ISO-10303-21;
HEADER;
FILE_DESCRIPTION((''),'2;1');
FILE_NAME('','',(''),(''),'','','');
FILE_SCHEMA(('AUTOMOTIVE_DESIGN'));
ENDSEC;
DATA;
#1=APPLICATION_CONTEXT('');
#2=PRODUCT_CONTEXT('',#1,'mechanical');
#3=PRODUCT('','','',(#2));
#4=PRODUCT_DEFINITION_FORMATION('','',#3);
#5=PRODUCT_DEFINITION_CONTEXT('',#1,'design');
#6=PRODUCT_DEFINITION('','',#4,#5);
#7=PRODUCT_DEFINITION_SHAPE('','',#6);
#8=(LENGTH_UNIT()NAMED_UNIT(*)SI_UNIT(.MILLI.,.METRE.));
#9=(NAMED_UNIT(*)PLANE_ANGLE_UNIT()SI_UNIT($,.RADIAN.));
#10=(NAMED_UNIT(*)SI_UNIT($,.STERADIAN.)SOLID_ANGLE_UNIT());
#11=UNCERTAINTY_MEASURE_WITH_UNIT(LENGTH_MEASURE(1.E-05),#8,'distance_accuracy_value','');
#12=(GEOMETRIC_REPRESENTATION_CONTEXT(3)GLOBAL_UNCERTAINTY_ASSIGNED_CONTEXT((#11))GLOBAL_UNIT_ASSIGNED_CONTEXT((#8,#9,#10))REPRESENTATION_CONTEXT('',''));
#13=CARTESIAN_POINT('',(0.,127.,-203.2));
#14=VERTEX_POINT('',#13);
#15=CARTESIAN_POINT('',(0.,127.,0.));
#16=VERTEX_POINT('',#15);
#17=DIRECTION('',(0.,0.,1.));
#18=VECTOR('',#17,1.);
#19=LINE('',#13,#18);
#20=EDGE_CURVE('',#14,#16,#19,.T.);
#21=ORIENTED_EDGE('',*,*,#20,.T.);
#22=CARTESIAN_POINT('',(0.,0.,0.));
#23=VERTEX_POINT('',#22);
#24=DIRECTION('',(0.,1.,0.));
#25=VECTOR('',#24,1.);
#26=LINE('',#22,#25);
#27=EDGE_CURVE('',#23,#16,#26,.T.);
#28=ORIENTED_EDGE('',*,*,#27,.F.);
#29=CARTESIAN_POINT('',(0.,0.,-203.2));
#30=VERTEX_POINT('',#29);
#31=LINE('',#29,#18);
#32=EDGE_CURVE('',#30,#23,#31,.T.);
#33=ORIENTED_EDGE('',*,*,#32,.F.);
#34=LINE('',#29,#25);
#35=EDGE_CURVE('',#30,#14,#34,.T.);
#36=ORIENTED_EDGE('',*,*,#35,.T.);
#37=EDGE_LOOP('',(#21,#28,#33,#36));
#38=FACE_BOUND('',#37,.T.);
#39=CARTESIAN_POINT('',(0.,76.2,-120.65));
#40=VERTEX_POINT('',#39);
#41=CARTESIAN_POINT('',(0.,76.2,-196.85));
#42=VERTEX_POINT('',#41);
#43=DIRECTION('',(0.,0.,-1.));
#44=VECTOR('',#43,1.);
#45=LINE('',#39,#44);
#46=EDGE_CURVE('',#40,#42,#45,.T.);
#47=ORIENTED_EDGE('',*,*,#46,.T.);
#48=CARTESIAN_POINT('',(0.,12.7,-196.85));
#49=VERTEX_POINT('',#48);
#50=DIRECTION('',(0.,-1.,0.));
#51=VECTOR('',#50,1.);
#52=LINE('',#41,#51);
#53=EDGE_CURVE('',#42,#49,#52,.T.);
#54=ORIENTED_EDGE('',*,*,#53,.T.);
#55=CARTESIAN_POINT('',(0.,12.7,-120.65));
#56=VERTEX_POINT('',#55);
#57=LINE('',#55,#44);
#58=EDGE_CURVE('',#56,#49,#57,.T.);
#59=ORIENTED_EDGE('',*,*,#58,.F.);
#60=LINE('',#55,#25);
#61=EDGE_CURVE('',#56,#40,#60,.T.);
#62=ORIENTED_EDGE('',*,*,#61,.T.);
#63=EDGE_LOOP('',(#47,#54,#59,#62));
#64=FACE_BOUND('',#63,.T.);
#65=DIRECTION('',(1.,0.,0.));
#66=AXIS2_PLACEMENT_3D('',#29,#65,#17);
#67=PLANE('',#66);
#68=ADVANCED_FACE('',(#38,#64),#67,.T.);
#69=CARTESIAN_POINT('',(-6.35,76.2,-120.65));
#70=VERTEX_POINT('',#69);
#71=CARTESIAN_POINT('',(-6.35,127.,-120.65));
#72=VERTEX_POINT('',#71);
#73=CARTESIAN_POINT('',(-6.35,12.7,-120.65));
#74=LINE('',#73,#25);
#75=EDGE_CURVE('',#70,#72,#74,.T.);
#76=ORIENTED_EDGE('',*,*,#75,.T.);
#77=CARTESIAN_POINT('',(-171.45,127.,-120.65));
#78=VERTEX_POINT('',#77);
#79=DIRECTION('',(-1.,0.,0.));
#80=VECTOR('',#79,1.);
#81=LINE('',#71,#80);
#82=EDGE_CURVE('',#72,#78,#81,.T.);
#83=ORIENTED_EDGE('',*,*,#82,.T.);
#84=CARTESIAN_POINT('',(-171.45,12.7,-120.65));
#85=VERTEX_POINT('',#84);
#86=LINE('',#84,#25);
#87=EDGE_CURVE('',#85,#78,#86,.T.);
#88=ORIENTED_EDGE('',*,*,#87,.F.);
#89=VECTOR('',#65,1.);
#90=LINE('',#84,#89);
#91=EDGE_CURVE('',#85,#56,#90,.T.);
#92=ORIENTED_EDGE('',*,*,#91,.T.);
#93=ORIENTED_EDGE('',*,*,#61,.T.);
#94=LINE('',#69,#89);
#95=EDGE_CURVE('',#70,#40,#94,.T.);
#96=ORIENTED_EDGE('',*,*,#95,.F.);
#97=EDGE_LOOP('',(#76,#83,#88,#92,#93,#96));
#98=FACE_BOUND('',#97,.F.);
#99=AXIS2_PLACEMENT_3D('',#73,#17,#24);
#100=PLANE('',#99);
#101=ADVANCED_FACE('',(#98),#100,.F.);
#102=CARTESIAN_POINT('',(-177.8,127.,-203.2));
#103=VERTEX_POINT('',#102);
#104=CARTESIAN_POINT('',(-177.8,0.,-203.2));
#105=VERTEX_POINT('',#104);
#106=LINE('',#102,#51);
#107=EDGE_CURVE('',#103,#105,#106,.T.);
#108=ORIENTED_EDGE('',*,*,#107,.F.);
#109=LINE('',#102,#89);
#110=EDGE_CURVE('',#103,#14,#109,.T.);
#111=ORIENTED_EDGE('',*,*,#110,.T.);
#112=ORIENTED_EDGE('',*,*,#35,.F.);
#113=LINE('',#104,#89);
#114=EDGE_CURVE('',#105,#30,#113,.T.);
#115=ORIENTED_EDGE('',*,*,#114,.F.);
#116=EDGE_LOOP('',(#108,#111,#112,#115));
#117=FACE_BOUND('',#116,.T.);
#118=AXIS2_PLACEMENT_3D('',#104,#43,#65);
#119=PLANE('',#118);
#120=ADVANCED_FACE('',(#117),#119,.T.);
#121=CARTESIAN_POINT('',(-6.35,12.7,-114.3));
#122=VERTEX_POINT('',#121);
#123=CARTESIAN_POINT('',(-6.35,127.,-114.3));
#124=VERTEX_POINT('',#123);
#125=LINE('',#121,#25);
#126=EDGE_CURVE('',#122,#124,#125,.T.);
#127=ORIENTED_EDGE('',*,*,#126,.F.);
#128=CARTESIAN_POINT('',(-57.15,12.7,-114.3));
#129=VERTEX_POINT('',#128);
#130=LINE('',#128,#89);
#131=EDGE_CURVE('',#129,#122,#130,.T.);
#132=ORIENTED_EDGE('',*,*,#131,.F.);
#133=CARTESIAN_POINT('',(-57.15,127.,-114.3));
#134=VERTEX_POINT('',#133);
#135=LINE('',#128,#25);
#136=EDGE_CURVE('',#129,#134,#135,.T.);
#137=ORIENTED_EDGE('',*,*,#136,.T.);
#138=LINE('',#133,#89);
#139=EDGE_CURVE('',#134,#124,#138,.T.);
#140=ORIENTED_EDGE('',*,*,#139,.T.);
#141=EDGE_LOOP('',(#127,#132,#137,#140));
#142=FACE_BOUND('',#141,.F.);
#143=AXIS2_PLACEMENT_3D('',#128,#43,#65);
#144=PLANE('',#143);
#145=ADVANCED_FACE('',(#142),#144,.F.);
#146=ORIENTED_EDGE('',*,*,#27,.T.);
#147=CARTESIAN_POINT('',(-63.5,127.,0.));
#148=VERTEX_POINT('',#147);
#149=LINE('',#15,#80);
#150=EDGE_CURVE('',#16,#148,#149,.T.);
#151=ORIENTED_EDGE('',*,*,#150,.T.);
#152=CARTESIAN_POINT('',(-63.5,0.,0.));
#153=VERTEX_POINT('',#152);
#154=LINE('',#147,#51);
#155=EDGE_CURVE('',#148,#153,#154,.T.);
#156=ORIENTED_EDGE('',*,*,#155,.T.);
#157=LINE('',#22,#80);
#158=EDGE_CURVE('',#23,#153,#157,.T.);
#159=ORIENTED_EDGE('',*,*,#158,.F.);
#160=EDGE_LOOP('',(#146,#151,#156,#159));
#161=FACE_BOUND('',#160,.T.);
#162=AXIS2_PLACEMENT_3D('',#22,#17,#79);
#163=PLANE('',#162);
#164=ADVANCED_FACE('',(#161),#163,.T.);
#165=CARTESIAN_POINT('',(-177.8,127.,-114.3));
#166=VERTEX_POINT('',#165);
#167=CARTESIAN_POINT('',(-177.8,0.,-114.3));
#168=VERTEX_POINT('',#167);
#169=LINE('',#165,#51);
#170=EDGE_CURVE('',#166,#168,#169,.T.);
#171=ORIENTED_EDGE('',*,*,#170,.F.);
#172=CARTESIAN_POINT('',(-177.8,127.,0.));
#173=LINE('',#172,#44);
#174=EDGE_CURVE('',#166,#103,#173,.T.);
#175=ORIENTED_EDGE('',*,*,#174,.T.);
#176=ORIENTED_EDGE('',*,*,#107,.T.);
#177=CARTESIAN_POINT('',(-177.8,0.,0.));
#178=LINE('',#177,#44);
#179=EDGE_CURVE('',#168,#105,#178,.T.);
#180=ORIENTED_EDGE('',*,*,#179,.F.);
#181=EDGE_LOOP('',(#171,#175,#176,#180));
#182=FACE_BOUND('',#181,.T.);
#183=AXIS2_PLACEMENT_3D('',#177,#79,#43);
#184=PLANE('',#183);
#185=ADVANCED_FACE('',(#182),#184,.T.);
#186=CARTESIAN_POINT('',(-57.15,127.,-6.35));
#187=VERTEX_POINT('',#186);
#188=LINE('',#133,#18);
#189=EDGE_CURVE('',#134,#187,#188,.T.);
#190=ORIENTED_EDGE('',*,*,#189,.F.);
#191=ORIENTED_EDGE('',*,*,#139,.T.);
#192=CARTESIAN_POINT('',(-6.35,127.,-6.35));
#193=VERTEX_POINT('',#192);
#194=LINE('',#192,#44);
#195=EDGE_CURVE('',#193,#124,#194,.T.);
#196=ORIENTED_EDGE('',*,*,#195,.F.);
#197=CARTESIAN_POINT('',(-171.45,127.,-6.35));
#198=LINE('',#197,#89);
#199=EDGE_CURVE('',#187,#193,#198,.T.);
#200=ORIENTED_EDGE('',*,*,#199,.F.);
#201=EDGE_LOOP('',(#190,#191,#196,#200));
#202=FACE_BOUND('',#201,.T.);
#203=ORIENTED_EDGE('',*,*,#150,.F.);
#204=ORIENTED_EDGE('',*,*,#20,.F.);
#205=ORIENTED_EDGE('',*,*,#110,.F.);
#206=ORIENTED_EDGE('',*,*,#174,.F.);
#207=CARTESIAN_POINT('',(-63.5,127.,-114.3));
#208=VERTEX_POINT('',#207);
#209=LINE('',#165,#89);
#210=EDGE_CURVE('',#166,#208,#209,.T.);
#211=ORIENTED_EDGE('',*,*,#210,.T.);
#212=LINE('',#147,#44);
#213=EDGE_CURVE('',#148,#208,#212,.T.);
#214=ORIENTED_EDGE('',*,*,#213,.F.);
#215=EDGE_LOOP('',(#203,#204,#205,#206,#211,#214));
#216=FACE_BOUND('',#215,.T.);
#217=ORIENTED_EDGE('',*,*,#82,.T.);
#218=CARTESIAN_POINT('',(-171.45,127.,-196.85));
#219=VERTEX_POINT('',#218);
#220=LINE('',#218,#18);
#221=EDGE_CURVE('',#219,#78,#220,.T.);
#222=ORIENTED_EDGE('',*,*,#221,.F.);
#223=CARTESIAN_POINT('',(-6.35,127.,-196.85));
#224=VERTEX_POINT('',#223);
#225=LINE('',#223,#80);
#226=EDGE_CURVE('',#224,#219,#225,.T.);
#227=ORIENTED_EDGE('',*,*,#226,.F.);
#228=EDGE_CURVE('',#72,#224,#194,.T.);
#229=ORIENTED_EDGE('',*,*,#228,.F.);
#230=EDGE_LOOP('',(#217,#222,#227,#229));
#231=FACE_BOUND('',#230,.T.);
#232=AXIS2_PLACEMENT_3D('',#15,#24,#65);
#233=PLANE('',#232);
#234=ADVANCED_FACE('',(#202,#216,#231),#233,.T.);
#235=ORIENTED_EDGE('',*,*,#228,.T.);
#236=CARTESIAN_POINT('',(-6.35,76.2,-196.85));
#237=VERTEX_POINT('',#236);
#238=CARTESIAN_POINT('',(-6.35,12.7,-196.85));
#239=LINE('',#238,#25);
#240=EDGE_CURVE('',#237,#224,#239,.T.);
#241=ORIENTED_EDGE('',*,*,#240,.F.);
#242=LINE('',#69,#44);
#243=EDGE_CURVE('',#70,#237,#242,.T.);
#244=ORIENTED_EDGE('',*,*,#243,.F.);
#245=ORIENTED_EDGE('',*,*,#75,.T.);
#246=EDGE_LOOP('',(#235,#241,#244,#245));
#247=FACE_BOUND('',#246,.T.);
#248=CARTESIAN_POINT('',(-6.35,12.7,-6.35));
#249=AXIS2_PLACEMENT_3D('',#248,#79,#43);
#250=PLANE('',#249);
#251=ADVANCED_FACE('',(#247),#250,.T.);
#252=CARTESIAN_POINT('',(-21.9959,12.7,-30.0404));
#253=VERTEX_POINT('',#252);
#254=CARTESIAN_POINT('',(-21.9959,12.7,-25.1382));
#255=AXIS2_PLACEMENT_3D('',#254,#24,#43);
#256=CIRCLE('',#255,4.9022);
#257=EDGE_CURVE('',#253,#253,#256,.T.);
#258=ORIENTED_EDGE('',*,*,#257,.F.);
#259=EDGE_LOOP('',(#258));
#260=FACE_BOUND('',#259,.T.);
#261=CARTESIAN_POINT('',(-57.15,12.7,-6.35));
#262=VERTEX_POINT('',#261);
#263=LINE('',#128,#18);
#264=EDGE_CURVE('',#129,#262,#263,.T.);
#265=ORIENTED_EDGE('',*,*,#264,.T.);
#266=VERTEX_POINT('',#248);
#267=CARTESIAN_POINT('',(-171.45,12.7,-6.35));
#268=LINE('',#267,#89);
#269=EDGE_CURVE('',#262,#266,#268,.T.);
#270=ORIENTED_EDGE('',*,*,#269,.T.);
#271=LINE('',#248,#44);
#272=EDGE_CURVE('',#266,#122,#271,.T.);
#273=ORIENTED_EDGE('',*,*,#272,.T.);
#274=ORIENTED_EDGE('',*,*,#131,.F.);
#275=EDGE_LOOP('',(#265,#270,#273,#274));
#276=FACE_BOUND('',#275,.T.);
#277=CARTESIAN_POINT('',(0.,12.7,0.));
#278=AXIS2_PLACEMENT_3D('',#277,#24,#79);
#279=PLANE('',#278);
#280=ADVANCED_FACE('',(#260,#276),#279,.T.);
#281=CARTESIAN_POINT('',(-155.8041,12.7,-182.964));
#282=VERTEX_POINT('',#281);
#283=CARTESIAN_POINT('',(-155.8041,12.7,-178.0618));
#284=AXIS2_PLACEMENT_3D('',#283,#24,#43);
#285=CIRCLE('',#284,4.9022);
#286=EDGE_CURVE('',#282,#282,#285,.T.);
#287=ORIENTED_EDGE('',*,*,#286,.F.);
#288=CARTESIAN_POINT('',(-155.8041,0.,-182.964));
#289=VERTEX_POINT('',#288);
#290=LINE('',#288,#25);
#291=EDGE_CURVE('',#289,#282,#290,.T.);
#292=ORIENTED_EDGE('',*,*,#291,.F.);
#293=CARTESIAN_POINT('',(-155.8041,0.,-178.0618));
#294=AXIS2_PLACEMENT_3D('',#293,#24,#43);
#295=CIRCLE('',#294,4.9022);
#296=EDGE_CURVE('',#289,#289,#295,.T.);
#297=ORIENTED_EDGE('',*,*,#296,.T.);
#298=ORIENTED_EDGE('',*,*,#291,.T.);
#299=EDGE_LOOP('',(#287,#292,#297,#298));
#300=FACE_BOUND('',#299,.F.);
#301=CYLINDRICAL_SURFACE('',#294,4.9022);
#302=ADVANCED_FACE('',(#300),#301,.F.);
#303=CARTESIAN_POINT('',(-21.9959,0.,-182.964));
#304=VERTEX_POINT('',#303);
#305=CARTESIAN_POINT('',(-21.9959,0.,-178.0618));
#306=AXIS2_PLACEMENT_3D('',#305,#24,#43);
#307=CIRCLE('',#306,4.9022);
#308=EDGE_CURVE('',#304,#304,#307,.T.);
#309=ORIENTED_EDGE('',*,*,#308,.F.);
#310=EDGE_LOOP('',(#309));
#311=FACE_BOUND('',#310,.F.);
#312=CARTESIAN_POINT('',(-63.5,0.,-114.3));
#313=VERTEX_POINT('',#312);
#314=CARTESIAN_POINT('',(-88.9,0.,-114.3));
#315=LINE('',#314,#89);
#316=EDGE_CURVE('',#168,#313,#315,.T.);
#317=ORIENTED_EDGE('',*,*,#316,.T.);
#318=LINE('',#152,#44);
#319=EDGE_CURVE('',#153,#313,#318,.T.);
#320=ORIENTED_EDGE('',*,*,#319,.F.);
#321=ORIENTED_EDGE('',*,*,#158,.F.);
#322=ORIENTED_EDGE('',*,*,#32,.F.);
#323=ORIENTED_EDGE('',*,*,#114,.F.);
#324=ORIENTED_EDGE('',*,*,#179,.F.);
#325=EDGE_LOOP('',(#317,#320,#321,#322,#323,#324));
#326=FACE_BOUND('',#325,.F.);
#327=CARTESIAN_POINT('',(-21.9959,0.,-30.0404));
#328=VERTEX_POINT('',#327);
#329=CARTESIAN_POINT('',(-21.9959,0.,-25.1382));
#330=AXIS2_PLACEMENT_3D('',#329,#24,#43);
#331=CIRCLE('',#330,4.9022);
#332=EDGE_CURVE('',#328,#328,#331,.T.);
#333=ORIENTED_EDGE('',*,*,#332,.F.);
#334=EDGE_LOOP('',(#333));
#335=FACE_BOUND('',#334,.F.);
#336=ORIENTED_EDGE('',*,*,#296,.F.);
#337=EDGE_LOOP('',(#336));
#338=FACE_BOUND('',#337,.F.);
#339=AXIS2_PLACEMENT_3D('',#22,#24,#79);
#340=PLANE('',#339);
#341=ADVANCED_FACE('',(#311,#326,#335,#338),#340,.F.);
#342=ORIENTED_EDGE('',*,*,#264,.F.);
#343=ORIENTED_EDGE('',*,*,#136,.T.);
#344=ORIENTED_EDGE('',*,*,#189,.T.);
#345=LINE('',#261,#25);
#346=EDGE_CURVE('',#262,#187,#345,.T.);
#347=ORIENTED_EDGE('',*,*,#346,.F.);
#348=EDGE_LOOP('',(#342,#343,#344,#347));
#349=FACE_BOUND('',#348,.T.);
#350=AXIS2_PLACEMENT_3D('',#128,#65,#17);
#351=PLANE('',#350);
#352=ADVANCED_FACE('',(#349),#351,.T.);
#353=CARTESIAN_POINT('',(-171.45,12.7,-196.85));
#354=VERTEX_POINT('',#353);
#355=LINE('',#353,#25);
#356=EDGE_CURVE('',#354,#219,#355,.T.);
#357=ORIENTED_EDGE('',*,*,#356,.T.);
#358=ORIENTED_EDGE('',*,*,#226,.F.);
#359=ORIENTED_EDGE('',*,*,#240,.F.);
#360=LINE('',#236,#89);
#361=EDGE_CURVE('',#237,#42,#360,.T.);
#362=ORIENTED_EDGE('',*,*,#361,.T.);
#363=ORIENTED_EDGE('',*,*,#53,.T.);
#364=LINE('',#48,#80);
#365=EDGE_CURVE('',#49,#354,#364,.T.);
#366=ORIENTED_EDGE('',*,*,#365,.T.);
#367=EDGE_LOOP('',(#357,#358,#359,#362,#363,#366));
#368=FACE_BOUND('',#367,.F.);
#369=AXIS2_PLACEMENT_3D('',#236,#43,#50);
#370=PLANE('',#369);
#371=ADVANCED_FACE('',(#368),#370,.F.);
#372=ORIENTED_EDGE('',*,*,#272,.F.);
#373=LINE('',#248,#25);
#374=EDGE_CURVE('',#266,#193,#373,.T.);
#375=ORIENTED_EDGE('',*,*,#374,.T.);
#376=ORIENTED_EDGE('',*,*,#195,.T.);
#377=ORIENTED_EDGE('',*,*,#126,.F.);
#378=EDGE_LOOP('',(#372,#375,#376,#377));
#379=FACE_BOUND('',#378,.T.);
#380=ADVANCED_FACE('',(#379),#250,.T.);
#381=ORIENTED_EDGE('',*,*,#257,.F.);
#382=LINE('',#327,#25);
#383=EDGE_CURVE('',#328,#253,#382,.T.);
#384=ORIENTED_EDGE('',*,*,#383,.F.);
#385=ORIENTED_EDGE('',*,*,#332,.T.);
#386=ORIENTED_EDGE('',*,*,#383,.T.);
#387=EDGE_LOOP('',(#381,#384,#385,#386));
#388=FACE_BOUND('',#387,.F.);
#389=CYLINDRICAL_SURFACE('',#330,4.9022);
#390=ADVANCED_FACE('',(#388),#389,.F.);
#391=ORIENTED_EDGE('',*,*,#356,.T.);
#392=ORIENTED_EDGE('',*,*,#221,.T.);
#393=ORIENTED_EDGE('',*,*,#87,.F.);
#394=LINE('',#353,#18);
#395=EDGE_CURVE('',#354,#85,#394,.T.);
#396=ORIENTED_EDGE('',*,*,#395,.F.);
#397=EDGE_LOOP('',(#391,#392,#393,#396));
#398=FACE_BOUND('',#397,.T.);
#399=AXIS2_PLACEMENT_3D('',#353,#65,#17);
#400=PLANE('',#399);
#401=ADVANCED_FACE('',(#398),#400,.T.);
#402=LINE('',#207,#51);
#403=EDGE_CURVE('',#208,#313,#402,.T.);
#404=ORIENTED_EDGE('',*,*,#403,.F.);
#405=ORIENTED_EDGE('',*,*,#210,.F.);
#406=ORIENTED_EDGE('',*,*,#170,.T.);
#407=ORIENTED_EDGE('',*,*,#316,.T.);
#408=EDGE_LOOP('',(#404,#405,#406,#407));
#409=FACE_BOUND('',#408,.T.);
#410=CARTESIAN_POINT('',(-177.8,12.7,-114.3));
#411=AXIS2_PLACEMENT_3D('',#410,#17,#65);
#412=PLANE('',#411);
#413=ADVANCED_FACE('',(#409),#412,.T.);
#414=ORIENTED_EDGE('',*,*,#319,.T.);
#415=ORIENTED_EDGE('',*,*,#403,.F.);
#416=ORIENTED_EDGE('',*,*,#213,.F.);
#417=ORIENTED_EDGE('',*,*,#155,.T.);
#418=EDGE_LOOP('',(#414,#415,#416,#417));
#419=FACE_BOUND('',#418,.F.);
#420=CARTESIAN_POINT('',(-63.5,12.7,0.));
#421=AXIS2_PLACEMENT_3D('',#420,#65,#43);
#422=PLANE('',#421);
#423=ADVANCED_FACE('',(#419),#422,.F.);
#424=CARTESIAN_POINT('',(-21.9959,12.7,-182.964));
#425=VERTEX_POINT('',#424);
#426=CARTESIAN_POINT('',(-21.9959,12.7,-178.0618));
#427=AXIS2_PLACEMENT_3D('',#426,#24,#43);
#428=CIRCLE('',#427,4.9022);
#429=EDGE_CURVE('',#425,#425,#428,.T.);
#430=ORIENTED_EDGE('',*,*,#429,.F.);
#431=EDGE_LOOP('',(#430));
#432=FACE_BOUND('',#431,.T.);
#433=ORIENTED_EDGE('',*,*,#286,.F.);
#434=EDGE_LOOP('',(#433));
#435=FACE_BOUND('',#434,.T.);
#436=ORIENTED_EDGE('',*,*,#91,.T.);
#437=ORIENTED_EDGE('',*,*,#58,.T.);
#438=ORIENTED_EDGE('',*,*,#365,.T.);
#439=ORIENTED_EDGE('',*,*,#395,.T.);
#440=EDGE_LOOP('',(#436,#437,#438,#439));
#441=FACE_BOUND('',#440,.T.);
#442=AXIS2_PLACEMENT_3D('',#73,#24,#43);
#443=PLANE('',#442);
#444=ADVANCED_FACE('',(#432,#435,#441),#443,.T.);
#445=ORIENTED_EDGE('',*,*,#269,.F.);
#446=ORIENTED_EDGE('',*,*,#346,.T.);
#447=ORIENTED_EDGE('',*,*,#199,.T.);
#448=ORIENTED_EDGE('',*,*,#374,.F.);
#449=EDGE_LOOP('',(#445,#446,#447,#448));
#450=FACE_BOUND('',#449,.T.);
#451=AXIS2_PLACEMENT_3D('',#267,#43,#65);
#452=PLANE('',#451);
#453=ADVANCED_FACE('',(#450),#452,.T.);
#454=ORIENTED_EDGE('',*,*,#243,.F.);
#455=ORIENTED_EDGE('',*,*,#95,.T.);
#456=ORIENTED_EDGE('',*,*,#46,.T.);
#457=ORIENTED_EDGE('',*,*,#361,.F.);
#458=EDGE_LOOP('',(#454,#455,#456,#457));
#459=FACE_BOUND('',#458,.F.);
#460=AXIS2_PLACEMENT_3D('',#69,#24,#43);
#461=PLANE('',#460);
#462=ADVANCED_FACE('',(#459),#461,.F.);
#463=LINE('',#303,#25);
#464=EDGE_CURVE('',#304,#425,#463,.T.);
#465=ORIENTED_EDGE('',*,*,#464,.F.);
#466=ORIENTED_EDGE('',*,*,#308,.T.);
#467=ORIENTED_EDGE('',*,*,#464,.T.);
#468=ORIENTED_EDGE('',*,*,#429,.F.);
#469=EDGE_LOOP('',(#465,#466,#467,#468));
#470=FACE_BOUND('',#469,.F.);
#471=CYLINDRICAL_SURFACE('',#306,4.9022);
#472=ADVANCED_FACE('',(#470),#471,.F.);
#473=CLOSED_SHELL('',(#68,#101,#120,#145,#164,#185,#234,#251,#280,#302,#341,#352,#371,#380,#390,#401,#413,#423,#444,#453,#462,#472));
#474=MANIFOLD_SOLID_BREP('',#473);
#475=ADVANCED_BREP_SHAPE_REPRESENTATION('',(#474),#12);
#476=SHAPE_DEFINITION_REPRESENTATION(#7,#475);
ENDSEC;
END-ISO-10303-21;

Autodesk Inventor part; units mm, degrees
ref_plane "YZ Plane" through (0, 0, 0) normal (1, 0, 0) x (0, 1, 0)
ref_plane "XZ Plane" through (0, 0, 0) normal (0, 1, 0) x (-1, 0, 0)
ref_plane "XY Plane" through (0, 0, 0) normal (0, 0, 1) x (1, 0, 0)
sketch "Sketch2" plane through (0, 0, 0) normal (0, 1, 0) x (-1, 0, 0)
  line L0 (0, 0) -> (177.8, 0)
  line L1 (177.8, 0) -> (177.8, -203.2)
  line L2 (177.8, -203.2) -> (0, -203.2)
  line L3 (0, -203.2) -> (0, 0)
  dimension "d0" = 203.2
  dimension "d1" = 177.8
extrude "Extrusion1" add sketch "Sketch2" along normal blind 12.7
sketch "Sketch3" plane through (0, 12.7, 0) normal (0, 1, 0) x (1, 0, 0)
  line L0 (0, 0) -> (-177.8, 0)
  line L1 (-177.8, 0) -> (-177.8, 203.2)
  line L2 (-177.8, 203.2) -> (0, 203.2)
  line L3 (0, 203.2) -> (0, 0)
  line L4 (-171.45, 196.85) -> (-171.45, 6.35)
  line L5 (-171.45, 6.35) -> (-6.35, 6.35)
  line L6 (-6.35, 6.35) -> (-6.35, 196.85)
  line L7 (-6.35, 196.85) -> (-171.45, 196.85)
  dimension "d4" = 6.35
extrude "Extrusion2" add sketch "Sketch3" along normal blind 114.3
sketch "Sketch5" plane through (0, 12.7, 0) normal (0, 1, 0) x (1, 0, 0)
  line L0 (-63.5, 114.3) -> (-63.5, 6.35)
  line L1 (-6.35, 120.65) -> (-6.3512, 120.1928)
  line L2 (-171.45, 114.3) -> (-63.5, 114.3)
  line L3 (-171.45, 6.35) -> (-171.45, 196.85) projected
  line L4 (-6.35, 6.35) -> (-171.45, 6.35) projected
  line L5 (-171.45, 120.65) -> (-57.15, 120.65)
  line L6 (-57.15, 114.3) -> (-57.15, 6.35)
  line L7 (-171.45, 120.65) -> (-6.35, 120.65)
  line L8 (-57.15, 114.3) -> (-6.35, 114.3)
  line L9 (-6.35, 196.85) -> (-6.35, 6.35) projected
  line L10 (-171.45, 120.65) -> (-171.45, 114.3)
  line L11 (-6.35, 120.65) -> (-6.35, 114.3)
  line L12 (-6.35, 120.65) -> (-6.35, 114.3)
  line L13 (-63.5, 6.35) -> (-57.15, 6.35)
  line L14 (-171.45, 6.35) -> (-6.35, 6.35) projected
  dimension "d36" = 107.95
  dimension "d37" = 107.95
  dimension "d38" = 6.35
extrude "Extrusion5" add sketch "Sketch5" along normal blind 114.3 contours L2 L3 L5 L7 L1 L9 L8 L6 L4 L0
sketch "Sketch6" plane through (0, 0, 0) normal (0, -1, 0) x (1, 0, 0)
  line L0 (0, -203.2) -> (-177.8, 0) construction
  circle A0 centre (-88.9, -101.6) radius 101.6 construction
  line L1 (-177.8, -203.2) -> (0, 0) construction
  point P0 (-155.8041, -178.0618)
  point P1 (-155.8041, -25.1382)
  point P2 (-21.9959, -25.1382)
  point P3 (-21.9959, -178.0618)
  dimension "d25" = 203.2
hole "Hole1" at (-21.9959, 0, -25.1382) at (-155.8041, 0, -25.1382) at (-155.8041, 0, -178.0618) at (-21.9959, 0, -178.0618) direction (0, 1, 0) diameter 9.8044 end through all
sketch "Sketch7" plane through (-6.35, 12.7, -196.85) normal (-1, 0, 0) x (0, 0, 1)
  line L0 (76.2, 0) -> (0, 0) projected
  line L1 (76.2, 0) -> (76.2, 114.3) projected
  line L2 (0, 0) -> (76.2, 0)
  line L3 (76.2, 0) -> (76.2, 63.5)
  line L4 (76.2, 63.5) -> (0, 63.5)
  line L5 (0, 63.5) -> (0, 0)
  point P0 (196.85, -12.7)
  dimension "d39" = 63.5
extrude "Extrusion6" cut sketch "Sketch7" against normal blind 6.35
sketch "Sketch8" plane through (-177.8, 0, -203.2) normal (-1, 0, 0) x (0, 0, 1)
  line L0 (88.9, 12.7) -> (88.9, 127) projected
  line L1 (196.85, 127) -> (88.9, 127) projected
  line L2 (196.85, 12.7) -> (196.85, 127) projected
  line L3 (88.9, 12.7) -> (196.85, 12.7) projected
  point P0 (203.2, 0)
extrude "Extrusion7" cut sketch "Sketch8" against normal up to surface (114.3 mm away)
sketch "Sketch9" plane through (-177.8, 0, 0) normal (0, 0, 1) x (1, 0, 0)
  line L0 (0, 12.7) -> (114.3, 12.7) projected
  line L1 (114.3, 12.7) -> (114.3, 127) projected
  line L2 (0, 127) -> (114.3, 127) projected
  line L3 (0, 12.7) -> (0, 127) projected
  point P0 (177.8, 0)
extrude "Extrusion8" cut sketch "Sketch9" against normal up to surface (114.3 mm away)
sketch "Sketch10" plane through (0, 12.7, 0) normal (0, 1, 0) x (1, 0, 0)
  circle A0 centre (-155.8041, 25.1382) radius 4.9022 projected
  line L0 (-177.8, 114.3) -> (-63.5, 114.3) projected
  line L1 (-177.8, 0) -> (-177.8, 114.3) projected
  line L2 (-63.5, 0) -> (-177.8, 0) projected
  line L3 (-63.5, 0) -> (-63.5, 114.3) projected
  line L4 (-177.8, 0) -> (-177.8, 114.3) projected
  line L5 (-6.35, 114.3) -> (-6.35, 6.35) projected
  line L6 (-6.35, 6.35) -> (-57.15, 6.35) projected
  line L7 (-57.15, 6.35) -> (-57.15, 114.3) projected
  line L8 (-57.15, 114.3) -> (-6.35, 114.3) projected
  line L9 (-171.45, 120.65) -> (-171.45, 196.85) projected
  line L10 (-171.45, 196.85) -> (-6.35, 196.85) projected
  line L11 (-6.35, 196.85) -> (-6.35, 120.65) projected
  line L12 (-6.35, 120.65) -> (-171.45, 120.65) projected
  line L13 (-63.5, 114.3) -> (-63.5, 0) projected
  line L14 (-63.5, 0) -> (0, 0) projected
  line L15 (0, 0) -> (0, 203.2) projected
  line L16 (0, 203.2) -> (-177.8, 203.2) projected
  line L17 (-177.8, 203.2) -> (-177.8, 114.3) projected
  line L18 (-177.8, 114.3) -> (-63.5, 114.3) projected
  point P0 (-177.8, 66.675)
extrude "Extrusion10" cut sketch "Sketch10" against normal through all contours L0 L3 L2 L1
properties part number "RSX Structure" material "Aluminum 6061"
